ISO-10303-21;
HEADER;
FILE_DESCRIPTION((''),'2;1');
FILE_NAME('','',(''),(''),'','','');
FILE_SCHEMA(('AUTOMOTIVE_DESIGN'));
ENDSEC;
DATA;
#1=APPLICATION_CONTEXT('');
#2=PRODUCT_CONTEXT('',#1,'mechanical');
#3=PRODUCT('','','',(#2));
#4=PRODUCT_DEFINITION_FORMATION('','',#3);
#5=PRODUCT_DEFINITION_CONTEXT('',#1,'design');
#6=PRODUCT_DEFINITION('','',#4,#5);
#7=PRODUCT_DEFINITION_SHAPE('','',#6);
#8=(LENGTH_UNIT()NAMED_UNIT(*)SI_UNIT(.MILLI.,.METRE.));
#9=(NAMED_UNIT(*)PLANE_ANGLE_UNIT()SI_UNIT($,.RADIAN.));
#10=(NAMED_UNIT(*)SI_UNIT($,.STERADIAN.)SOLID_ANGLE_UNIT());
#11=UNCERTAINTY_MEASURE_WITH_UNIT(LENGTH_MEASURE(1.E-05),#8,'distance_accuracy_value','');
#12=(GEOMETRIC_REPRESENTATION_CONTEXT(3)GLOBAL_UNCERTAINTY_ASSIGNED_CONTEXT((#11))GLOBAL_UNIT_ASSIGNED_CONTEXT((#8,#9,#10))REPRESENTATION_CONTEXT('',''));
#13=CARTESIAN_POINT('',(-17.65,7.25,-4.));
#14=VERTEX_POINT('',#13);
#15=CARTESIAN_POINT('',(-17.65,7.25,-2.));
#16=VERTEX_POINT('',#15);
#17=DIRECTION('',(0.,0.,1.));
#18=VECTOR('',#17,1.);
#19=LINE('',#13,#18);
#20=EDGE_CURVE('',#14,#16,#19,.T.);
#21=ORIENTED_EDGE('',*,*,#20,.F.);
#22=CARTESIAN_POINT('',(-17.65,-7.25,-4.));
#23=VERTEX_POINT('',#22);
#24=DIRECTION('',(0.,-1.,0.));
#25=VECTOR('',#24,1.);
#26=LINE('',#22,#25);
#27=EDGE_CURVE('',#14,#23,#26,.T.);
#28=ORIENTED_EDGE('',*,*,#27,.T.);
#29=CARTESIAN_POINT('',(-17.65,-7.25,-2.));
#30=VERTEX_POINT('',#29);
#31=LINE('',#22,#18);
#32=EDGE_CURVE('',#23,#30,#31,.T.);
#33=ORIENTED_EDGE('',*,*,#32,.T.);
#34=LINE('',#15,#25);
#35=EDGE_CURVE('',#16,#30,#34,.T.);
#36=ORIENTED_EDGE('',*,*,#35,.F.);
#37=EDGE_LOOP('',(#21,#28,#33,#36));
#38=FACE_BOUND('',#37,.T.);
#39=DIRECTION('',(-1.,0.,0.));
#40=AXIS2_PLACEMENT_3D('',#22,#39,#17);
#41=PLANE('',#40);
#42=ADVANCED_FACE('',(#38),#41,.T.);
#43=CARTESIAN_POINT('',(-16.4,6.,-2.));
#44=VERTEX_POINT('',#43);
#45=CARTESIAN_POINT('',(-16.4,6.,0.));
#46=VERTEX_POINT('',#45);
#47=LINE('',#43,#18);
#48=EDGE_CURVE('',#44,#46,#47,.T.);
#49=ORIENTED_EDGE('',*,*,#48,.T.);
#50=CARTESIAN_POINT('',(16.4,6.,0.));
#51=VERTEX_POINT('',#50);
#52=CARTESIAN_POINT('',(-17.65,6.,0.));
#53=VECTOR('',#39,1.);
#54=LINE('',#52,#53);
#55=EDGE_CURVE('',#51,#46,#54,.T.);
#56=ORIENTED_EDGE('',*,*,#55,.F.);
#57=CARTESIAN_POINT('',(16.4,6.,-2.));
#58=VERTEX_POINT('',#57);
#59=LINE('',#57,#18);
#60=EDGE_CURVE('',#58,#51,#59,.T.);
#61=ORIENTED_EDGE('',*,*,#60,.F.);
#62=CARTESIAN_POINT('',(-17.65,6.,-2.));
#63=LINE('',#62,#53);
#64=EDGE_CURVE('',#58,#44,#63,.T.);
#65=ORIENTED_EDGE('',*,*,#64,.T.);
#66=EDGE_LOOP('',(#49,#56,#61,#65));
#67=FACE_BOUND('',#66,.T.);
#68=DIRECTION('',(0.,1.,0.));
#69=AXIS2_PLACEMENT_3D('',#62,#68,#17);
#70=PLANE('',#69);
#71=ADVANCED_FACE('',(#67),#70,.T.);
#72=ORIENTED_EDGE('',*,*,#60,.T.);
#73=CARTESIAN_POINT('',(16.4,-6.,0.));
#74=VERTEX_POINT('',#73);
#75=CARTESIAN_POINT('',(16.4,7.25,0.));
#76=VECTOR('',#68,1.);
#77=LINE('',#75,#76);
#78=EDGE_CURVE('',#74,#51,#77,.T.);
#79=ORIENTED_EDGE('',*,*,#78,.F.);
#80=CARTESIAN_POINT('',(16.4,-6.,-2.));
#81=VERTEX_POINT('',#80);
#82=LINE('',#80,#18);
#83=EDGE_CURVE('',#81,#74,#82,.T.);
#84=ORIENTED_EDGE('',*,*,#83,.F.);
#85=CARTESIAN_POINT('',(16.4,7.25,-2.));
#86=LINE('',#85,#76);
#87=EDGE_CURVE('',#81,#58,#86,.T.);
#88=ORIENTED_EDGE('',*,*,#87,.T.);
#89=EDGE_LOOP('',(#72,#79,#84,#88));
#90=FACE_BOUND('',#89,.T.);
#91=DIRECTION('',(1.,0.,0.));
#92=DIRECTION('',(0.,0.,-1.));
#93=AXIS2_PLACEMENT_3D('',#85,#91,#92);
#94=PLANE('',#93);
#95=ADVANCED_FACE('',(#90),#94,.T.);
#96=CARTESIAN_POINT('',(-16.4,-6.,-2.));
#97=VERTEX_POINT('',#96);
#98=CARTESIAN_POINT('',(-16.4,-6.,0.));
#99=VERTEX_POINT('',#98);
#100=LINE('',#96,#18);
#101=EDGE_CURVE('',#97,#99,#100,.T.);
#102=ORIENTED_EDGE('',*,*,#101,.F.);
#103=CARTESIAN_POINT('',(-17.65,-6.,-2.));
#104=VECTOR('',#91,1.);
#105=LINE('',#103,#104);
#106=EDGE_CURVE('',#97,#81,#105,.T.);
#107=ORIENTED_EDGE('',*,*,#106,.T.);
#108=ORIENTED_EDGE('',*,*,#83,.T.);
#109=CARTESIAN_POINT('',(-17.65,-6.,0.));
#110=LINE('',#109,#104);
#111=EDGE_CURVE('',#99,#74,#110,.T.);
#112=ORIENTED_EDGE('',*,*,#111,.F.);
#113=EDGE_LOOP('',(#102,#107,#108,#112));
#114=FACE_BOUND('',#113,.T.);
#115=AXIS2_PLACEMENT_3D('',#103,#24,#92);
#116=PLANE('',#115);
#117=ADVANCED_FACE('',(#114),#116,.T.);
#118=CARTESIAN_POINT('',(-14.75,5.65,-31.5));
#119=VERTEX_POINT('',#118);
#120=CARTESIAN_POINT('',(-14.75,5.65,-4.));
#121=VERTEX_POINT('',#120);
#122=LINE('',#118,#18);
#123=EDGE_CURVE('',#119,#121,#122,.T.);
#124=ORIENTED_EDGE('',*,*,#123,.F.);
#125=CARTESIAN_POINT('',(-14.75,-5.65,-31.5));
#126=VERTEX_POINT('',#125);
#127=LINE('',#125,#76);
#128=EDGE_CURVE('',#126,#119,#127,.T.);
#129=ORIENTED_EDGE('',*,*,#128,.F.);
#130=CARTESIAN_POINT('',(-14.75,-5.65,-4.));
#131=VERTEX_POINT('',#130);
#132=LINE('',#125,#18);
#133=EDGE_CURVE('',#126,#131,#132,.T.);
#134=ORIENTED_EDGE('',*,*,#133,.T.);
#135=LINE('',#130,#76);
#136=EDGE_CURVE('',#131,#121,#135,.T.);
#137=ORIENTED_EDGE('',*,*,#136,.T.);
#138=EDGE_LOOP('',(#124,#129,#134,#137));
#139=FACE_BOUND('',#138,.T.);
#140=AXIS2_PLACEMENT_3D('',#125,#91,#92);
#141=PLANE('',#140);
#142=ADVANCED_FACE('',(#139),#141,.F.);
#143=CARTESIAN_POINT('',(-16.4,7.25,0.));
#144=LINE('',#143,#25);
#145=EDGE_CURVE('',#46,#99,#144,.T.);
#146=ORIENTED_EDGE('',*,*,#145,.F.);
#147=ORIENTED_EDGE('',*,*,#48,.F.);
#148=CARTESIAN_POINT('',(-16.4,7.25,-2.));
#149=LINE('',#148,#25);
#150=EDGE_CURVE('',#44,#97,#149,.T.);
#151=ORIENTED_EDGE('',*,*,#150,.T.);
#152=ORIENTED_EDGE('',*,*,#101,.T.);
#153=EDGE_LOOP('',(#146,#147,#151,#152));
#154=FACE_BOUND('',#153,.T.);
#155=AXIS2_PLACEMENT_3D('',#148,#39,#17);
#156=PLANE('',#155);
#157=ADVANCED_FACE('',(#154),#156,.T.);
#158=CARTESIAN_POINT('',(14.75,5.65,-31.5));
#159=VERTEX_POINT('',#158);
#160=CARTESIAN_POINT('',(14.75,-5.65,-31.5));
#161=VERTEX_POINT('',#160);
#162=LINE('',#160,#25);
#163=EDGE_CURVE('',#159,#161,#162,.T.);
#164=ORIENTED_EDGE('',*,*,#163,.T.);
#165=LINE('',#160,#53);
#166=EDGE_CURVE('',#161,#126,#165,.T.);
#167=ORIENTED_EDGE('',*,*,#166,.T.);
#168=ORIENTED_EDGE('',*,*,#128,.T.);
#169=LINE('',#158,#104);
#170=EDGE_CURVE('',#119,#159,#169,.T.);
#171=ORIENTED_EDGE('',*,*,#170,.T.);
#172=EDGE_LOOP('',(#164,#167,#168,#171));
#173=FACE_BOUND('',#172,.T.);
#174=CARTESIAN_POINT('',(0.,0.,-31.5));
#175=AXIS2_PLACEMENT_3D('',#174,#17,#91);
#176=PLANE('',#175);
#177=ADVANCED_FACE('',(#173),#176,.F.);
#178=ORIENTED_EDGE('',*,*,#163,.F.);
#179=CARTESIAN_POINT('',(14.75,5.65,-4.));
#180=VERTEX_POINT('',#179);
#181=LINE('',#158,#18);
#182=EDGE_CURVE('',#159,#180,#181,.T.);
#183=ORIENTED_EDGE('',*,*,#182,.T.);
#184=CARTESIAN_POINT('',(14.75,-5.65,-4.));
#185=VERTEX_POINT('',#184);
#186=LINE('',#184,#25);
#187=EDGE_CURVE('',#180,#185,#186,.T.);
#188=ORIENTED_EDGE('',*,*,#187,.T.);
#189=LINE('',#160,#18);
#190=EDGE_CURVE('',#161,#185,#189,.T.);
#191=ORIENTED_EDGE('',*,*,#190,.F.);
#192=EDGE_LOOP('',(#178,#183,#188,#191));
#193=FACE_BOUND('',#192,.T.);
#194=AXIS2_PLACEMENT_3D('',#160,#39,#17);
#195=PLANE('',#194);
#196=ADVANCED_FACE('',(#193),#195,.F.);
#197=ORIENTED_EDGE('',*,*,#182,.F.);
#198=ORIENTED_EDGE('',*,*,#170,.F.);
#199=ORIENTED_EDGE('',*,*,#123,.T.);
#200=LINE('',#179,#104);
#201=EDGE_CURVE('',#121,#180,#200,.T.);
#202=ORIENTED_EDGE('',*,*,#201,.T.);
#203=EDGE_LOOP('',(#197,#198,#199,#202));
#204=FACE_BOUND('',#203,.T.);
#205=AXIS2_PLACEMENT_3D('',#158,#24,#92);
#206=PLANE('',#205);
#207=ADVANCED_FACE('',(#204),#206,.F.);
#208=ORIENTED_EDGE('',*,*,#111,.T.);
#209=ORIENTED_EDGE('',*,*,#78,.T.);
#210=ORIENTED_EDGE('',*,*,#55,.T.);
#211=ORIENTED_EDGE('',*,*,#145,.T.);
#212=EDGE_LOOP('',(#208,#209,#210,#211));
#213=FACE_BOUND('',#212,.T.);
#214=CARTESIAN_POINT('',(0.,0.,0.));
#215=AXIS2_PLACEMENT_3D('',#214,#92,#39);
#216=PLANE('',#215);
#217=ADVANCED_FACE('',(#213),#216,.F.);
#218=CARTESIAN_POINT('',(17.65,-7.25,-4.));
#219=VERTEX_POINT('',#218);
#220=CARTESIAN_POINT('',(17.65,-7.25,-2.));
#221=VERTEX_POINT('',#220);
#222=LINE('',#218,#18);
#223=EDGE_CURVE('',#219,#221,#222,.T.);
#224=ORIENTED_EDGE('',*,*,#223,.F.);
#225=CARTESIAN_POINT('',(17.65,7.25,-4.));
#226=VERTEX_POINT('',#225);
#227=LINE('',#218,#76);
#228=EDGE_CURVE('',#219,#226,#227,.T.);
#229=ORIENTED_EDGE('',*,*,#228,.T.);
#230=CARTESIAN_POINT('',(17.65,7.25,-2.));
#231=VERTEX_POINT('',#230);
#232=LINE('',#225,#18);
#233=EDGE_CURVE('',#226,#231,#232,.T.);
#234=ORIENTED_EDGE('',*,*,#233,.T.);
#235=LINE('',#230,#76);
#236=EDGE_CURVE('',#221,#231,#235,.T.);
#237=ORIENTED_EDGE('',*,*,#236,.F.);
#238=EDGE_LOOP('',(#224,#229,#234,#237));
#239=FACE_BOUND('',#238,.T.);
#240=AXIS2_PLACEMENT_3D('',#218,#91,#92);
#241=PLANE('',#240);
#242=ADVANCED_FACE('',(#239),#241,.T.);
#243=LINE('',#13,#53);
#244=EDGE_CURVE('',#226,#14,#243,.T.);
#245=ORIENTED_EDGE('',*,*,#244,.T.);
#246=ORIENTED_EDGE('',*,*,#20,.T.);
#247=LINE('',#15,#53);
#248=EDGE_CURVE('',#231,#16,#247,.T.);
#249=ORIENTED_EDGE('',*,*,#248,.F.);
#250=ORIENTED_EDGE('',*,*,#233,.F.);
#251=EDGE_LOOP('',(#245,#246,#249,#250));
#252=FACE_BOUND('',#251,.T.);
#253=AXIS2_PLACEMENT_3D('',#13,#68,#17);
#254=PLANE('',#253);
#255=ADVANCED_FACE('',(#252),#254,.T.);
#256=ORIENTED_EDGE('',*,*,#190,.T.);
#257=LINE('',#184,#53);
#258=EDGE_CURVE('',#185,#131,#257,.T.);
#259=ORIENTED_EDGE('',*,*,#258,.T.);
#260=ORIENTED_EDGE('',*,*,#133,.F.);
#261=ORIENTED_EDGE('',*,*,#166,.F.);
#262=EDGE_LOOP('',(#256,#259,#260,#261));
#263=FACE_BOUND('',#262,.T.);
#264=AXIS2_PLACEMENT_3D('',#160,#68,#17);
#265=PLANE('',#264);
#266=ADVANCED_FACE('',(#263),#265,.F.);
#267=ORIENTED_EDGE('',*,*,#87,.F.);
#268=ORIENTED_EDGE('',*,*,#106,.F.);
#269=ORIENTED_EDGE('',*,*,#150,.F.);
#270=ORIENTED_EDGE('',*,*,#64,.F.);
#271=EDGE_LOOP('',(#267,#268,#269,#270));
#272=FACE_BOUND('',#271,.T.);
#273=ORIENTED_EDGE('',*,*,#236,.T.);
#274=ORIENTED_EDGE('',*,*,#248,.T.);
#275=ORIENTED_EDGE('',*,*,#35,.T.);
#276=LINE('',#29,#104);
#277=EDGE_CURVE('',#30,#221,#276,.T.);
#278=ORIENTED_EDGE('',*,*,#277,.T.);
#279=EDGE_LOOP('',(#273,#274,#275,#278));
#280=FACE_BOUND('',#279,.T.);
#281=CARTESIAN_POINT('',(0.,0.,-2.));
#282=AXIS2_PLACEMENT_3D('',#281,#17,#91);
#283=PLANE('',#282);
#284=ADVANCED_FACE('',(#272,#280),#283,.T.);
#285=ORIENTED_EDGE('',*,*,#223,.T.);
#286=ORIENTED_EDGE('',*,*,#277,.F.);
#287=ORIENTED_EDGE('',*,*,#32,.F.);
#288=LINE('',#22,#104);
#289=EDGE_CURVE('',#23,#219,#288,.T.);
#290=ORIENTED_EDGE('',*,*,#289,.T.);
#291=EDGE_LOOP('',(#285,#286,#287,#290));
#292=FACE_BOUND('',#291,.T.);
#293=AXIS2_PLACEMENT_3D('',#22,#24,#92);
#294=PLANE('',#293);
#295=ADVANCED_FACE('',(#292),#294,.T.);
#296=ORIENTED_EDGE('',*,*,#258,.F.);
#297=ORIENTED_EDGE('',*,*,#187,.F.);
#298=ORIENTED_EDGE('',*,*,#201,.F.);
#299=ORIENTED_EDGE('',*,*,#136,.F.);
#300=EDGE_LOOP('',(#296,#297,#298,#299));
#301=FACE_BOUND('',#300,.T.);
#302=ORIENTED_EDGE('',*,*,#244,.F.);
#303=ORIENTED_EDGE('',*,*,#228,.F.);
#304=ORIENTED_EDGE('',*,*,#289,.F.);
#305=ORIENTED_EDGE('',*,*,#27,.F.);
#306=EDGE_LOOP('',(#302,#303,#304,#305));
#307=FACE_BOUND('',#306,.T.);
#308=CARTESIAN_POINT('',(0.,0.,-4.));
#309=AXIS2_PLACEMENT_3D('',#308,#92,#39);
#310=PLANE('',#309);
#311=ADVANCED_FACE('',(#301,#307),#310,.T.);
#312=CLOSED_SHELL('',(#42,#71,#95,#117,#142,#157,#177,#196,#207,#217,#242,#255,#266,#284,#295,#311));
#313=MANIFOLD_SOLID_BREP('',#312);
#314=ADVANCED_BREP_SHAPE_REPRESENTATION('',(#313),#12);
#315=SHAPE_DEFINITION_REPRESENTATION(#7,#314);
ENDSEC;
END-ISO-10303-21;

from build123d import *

# Parameters (mm, degrees)
SKETCH_1_W          = 35.3
SKETCH_1_H          = 14.5
EXTRUDE_1_DEPTH     = 4
SKETCH_2_W          = 35.3
SKETCH_2_H          = 14.5
SKETCH_2_W_2        = 32.8
SKETCH_2_H_2        = 12
CUT_EXTRUDE_1_DEPTH = 2
SKETCH_3_W          = 29.5
SKETCH_3_H          = 11.3
EXTRUDE_2_DEPTH     = 27.5


with BuildPart() as part:
    # Эскиз1 → Бобышка-Вытянуть1 (new body)
    with BuildSketch(Plane.XY):
        Rectangle(SKETCH_1_W, SKETCH_1_H)
    extrude(amount=-EXTRUDE_1_DEPTH)

    # Эскиз2 → Вырез-Вытянуть-Тонкостенный1 (cut)
    with BuildSketch(Plane.XY):
        Rectangle(SKETCH_2_W, SKETCH_2_H)
        Rectangle(SKETCH_2_W_2, SKETCH_2_H_2, mode=Mode.SUBTRACT)
    extrude(amount=-CUT_EXTRUDE_1_DEPTH, mode=Mode.SUBTRACT)

    # Эскиз3 → Бобышка-Вытянуть2 (add)
    with BuildSketch(Plane(origin=(0, 0, -4), x_dir=(-1, 0, 0), z_dir=(0, 0, -1))):
        Rectangle(SKETCH_3_W, SKETCH_3_H)
    extrude(amount=EXTRUDE_2_DEPTH)


solid = part.part
